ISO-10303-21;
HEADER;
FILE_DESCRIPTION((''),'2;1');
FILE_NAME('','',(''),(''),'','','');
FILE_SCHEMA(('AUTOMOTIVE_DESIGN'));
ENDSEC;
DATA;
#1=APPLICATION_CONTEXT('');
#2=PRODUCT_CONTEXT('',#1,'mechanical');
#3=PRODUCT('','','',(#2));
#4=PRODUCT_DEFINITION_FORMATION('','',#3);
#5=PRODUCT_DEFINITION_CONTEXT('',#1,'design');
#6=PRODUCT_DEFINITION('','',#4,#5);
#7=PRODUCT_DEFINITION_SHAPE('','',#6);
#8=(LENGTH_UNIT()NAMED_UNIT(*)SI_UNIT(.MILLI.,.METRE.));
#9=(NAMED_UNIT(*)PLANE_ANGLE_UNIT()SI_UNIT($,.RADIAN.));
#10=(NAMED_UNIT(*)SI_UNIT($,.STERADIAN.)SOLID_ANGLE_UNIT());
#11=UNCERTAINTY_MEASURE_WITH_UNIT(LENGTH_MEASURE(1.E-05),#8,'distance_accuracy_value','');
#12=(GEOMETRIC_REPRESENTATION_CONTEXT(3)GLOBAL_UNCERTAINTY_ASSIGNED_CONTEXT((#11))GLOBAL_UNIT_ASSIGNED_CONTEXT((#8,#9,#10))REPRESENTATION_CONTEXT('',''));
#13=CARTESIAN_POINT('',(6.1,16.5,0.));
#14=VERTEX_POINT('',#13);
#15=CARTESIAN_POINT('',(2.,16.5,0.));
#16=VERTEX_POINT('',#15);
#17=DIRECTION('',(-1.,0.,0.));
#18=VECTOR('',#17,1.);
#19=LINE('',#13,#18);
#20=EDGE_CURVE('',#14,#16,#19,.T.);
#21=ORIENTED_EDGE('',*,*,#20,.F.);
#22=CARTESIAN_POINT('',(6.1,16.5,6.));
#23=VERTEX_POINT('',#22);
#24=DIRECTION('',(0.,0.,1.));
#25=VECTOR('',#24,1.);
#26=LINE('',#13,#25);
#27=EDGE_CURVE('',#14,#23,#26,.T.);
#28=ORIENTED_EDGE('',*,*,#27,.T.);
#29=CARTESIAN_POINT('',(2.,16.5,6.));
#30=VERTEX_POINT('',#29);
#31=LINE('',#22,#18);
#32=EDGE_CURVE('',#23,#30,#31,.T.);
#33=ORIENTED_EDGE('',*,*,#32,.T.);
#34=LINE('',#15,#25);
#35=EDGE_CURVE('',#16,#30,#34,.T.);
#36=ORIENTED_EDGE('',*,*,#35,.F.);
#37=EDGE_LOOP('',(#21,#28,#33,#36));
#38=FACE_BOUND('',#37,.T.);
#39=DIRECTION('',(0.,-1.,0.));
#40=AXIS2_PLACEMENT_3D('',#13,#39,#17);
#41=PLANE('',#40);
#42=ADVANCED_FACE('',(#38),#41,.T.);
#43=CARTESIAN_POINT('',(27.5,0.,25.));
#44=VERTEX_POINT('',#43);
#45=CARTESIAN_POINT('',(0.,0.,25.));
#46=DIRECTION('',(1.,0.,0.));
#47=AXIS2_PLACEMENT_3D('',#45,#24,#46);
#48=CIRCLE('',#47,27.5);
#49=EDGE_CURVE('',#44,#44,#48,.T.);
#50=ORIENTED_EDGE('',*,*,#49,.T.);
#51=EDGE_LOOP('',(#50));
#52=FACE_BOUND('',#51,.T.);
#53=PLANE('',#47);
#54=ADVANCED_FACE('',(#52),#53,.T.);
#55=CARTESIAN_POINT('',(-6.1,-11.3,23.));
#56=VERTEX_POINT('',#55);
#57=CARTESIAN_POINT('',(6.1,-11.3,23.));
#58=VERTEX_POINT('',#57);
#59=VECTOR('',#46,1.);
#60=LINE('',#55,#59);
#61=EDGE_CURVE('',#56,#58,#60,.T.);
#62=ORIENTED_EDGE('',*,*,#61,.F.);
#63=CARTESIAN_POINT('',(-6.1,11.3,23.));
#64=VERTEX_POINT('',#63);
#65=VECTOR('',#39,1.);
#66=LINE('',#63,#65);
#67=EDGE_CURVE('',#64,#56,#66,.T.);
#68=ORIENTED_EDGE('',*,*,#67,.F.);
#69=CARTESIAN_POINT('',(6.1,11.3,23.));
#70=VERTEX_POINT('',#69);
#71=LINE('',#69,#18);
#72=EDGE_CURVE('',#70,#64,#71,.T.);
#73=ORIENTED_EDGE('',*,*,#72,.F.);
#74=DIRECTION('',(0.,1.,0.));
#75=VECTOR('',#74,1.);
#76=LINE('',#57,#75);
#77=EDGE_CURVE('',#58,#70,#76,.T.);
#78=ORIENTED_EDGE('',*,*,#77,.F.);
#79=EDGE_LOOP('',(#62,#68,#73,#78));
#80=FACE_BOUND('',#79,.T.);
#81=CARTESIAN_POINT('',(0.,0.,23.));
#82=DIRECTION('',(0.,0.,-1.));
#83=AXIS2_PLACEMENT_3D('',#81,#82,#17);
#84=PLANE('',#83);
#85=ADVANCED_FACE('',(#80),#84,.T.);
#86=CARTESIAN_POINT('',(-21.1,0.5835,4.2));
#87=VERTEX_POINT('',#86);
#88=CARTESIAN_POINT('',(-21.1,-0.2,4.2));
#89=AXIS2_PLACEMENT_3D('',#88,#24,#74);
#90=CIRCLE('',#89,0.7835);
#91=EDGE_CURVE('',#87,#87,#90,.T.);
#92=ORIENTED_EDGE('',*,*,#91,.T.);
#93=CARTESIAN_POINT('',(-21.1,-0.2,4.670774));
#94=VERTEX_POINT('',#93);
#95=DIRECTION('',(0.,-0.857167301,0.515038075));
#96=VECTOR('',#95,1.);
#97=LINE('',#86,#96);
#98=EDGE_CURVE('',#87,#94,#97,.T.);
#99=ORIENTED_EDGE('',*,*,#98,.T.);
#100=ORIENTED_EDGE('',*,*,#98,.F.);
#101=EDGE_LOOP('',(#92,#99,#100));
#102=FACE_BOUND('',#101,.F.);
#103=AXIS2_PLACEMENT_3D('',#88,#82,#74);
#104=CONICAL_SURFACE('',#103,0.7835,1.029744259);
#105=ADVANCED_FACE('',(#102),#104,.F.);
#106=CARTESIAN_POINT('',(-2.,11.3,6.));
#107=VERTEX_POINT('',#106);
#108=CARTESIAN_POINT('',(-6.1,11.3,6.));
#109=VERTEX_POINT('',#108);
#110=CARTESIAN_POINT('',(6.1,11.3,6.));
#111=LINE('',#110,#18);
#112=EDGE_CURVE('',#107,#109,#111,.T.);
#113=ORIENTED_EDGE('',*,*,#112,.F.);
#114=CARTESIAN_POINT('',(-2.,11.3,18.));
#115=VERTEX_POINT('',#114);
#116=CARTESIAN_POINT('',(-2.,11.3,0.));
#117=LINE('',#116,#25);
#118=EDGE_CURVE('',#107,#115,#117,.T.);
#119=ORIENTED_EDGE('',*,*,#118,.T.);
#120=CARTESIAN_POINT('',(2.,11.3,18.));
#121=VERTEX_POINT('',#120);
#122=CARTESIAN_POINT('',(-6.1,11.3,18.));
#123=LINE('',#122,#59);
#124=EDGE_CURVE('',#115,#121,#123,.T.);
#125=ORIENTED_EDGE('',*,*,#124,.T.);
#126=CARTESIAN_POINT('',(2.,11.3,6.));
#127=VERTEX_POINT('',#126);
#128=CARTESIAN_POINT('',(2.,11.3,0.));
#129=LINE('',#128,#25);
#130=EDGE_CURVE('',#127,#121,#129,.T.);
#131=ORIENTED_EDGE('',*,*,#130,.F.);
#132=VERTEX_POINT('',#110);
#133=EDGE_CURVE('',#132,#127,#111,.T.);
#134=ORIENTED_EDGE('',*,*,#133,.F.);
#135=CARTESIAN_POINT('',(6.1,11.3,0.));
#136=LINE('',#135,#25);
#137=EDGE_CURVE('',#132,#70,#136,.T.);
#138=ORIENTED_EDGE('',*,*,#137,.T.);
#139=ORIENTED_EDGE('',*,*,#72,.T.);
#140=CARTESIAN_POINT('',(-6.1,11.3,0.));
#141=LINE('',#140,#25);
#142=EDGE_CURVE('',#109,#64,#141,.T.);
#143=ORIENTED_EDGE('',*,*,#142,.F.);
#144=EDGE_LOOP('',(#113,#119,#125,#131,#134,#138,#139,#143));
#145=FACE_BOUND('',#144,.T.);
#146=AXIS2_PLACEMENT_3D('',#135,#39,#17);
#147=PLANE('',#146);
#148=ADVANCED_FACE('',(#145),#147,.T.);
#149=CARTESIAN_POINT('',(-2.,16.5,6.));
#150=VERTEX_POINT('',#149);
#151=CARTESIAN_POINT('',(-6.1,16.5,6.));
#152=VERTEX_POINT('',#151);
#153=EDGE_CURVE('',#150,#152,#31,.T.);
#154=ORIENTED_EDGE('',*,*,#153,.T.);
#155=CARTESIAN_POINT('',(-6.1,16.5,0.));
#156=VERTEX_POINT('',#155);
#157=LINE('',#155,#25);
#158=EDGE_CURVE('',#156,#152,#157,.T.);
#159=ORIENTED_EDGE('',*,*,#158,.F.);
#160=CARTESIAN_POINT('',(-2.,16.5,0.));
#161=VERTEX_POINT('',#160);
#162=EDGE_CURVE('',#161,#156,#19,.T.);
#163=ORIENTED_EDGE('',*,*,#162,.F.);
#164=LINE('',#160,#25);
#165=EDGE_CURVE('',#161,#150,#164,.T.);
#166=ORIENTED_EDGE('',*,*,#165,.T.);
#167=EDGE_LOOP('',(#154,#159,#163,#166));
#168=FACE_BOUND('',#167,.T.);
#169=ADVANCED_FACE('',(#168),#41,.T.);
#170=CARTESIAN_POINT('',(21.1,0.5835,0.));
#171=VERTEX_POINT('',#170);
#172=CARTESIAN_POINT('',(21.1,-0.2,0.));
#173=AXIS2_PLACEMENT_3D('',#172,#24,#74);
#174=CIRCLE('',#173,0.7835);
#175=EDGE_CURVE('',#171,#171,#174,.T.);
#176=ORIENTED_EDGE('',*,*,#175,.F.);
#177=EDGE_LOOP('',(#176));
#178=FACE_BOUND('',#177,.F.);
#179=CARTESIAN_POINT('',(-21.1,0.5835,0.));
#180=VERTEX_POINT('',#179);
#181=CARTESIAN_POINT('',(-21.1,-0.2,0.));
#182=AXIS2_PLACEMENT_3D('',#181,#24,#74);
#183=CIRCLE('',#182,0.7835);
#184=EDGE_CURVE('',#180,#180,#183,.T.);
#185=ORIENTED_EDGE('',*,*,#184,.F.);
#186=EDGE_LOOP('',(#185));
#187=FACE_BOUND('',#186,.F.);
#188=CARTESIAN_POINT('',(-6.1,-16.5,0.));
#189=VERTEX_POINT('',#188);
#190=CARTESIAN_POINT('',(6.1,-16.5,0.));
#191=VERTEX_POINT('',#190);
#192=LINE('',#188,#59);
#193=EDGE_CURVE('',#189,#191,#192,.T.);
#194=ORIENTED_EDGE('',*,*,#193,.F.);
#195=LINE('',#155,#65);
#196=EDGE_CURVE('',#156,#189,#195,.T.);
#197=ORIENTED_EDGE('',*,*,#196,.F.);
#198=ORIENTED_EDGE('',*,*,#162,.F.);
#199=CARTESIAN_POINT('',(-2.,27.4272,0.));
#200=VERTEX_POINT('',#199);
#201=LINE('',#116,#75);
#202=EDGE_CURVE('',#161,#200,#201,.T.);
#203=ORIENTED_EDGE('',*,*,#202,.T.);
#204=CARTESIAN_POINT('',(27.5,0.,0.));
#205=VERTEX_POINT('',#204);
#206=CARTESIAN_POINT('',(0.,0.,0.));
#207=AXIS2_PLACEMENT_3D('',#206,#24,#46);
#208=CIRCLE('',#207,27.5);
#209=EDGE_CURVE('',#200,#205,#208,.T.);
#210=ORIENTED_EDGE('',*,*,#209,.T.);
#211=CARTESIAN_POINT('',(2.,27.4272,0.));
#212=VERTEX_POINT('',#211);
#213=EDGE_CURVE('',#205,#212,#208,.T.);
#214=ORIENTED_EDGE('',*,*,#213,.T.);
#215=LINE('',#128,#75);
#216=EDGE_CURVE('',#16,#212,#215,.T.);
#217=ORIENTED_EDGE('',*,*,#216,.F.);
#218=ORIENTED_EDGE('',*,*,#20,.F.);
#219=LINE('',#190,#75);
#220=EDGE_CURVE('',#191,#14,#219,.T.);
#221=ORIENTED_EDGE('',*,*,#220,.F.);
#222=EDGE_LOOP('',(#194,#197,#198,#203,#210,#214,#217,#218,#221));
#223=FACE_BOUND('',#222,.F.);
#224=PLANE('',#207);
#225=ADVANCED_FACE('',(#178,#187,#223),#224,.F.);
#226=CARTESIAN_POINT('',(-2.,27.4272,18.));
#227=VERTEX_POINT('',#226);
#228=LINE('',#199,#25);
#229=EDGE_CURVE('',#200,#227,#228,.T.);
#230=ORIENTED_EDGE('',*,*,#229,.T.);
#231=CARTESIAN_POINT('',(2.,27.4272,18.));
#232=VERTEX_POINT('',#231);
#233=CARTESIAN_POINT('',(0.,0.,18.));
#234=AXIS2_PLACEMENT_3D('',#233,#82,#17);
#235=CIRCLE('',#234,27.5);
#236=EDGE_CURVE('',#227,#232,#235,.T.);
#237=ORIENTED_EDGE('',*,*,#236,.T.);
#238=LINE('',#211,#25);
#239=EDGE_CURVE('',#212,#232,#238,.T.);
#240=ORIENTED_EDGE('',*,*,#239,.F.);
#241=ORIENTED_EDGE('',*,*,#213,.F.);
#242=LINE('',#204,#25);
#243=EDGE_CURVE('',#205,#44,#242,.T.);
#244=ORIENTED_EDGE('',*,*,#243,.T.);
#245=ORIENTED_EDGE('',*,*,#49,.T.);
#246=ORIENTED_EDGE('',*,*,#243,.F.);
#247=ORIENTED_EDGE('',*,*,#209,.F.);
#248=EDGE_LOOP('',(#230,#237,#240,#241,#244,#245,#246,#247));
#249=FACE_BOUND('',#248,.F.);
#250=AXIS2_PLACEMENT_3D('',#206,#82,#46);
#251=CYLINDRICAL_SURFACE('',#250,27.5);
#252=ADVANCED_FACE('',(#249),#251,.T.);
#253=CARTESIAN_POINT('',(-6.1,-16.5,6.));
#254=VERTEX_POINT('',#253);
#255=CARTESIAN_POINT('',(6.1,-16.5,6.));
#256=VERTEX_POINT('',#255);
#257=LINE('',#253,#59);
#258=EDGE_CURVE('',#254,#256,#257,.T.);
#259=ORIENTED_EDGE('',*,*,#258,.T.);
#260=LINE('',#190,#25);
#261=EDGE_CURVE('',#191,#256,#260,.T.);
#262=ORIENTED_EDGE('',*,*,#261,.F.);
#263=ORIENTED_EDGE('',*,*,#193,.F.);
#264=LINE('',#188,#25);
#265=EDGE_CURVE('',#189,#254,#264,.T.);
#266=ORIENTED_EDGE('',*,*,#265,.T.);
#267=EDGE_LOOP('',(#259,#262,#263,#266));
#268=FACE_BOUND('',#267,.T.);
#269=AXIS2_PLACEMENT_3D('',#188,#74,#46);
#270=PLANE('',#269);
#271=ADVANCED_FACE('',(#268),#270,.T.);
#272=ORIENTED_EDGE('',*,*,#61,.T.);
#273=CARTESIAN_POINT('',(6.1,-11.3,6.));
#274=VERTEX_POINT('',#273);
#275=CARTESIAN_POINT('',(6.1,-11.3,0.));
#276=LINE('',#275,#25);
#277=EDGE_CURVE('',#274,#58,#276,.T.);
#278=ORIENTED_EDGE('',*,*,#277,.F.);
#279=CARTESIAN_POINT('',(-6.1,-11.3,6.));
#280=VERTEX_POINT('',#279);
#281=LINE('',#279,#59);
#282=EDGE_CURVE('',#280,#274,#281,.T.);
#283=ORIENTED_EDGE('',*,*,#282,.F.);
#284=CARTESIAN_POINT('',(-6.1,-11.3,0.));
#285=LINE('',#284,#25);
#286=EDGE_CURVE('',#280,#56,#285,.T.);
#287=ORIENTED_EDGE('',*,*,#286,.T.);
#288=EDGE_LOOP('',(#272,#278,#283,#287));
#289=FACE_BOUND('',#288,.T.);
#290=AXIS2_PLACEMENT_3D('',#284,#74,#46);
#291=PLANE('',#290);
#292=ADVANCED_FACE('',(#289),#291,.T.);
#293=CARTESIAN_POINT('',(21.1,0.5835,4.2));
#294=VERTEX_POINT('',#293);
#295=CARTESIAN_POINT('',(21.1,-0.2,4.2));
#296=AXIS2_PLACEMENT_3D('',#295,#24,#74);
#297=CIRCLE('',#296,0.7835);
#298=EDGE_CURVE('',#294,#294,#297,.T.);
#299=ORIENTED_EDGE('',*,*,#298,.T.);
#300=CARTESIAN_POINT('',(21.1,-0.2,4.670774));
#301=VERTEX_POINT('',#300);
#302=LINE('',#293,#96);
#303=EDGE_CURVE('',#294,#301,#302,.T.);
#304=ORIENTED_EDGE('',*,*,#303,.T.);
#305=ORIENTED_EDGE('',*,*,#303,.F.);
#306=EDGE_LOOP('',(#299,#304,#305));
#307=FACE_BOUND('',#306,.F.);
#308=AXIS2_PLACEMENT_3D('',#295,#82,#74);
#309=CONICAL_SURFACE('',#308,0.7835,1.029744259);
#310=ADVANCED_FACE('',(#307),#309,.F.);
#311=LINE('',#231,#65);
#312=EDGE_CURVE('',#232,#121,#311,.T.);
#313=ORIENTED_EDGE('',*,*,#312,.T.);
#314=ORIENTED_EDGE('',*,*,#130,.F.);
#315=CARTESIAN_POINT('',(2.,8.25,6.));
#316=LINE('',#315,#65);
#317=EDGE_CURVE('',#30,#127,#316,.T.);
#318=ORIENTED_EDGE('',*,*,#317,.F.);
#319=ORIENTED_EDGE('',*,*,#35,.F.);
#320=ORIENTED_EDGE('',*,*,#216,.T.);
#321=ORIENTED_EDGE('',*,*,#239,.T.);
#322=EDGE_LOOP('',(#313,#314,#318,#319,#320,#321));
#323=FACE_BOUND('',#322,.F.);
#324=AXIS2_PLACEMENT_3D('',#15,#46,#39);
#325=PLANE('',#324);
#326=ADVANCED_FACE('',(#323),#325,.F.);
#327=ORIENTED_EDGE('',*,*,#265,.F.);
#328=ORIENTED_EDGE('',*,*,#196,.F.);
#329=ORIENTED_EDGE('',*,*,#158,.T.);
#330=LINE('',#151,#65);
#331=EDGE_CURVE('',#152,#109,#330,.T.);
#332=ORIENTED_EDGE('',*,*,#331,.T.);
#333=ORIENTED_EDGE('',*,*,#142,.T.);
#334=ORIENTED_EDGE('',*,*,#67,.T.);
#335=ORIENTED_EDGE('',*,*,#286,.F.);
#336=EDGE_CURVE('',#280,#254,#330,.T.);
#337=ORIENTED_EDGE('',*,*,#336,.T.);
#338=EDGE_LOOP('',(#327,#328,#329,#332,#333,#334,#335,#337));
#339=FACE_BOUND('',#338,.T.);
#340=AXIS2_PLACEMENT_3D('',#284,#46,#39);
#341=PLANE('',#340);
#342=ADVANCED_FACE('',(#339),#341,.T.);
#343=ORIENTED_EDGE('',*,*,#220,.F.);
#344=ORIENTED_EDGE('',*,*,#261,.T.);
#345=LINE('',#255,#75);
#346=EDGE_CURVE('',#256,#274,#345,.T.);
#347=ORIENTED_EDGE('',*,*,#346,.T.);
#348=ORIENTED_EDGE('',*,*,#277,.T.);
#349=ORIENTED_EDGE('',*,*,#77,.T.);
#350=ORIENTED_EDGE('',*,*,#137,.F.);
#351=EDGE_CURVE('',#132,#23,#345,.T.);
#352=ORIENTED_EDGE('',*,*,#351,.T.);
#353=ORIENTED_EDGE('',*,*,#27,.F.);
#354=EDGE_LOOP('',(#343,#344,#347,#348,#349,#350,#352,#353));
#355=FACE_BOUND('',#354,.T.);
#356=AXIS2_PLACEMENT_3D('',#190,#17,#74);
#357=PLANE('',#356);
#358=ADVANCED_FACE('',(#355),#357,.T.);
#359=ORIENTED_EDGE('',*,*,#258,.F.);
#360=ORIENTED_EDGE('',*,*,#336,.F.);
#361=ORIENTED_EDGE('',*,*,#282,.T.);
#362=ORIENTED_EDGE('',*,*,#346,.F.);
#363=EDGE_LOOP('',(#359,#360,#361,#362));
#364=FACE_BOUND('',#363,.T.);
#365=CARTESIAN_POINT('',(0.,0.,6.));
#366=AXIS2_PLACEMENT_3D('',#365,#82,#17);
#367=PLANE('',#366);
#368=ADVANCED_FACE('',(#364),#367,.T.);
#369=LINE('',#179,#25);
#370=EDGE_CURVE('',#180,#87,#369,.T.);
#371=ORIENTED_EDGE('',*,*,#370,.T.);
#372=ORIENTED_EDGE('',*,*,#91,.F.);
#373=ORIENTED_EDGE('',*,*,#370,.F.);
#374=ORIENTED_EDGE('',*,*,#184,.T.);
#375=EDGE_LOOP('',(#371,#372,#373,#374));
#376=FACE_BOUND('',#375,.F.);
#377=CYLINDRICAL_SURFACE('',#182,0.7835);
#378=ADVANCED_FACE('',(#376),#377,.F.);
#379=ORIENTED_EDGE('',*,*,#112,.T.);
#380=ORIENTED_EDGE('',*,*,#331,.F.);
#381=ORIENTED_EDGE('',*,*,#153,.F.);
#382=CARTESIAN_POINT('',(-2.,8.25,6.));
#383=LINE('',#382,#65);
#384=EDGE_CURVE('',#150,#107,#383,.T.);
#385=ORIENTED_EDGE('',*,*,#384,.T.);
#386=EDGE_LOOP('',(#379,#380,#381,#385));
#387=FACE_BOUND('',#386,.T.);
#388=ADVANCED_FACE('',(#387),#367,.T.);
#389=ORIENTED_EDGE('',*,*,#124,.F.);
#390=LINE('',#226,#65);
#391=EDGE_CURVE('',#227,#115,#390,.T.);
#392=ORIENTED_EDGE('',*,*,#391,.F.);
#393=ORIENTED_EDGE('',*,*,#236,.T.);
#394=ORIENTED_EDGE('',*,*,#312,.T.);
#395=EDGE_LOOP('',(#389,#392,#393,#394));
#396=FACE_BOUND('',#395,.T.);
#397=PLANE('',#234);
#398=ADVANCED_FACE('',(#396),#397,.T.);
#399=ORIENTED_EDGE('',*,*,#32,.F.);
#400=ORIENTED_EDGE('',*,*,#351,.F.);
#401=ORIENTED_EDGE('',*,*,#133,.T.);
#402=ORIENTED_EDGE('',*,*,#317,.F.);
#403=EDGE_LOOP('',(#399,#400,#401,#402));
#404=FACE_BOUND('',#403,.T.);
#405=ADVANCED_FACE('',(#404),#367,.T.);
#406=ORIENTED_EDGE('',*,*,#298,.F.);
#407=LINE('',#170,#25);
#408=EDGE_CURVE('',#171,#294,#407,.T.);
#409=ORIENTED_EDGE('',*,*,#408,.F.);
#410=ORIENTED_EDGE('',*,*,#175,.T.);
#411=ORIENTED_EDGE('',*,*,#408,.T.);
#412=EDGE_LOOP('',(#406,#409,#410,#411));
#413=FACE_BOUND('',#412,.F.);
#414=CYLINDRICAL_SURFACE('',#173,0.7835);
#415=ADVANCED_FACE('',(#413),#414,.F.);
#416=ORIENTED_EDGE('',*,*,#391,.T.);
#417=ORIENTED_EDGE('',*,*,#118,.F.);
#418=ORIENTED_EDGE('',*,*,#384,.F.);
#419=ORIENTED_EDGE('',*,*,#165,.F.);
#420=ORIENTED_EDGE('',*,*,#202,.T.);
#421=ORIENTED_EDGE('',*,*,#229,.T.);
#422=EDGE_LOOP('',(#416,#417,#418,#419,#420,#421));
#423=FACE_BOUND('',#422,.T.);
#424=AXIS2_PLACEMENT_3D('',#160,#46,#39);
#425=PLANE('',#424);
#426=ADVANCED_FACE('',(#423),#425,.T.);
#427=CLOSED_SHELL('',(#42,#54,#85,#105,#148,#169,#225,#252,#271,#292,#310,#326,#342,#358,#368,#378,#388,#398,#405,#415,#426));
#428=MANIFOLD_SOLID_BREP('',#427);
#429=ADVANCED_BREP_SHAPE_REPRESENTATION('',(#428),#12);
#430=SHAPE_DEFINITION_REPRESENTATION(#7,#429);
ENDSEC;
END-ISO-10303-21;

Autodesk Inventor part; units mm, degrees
ref_plane "YZ Plane" through (0, 0, 0) normal (1, 0, 0) x (0, 1, 0)
ref_plane "XZ Plane" through (0, 0, 0) normal (0, 1, 0) x (-1, 0, 0)
ref_plane "XY Plane" through (0, 0, 0) normal (0, 0, 1) x (1, 0, 0)
sketch "Sketch1" plane through (0, 0, 0) normal (0, 0, 1) x (1, 0, 0)
  circle A0 centre (0, 0) radius 27.5
  dimension "d0" = 55
extrude "Extrusion1" add sketch "Sketch1" along normal blind 25
sketch "Sketch2" plane through (0, 0, 0) normal (0, 0, -1) x (-1, 0, 0)
  line L0 (6.1, -11.3) -> (-6.1, -11.3)
  line L1 (-6.1, -11.3) -> (-6.1, 11.3)
  line L2 (-6.1, 11.3) -> (6.1, 11.3)
  line L3 (6.1, 11.3) -> (6.1, -11.3)
  circle A0 centre (0, 0) radius 27.5 projected
  dimension "d4" = 12.2
  dimension "d5" = 55
  dimension "d6" = 22.6
  dimension "d7" = 6.1
  dimension "d8" = 11.3
extrude "Extrusion2" cut sketch "Sketch2" against normal blind 23 contours L0 L1 L2 L3
sketch "Sketch3" plane through (0, 0, 0) normal (0, 0, -1) x (-1, 0, 0)
  line L0 (-6.1, 11.3) -> (6.1, 11.3) projected
  line L1 (6.1, -11.3) -> (-6.1, -11.3) projected
  line L2 (6.1, 11.3) -> (6.1, -11.3) projected
  line L3 (-6.1, -11.3) -> (-6.1, 11.3) projected
  line L4 (6.1, -16.5) -> (-6.1, -16.5)
  line L5 (-6.1, -16.5) -> (-6.1, 16.5)
  line L6 (-6.1, 16.5) -> (6.1, 16.5)
  line L7 (6.1, 16.5) -> (6.1, -16.5)
  point P0 (0, 0)
  dimension "d11" = 22.6
  dimension "d12" = 12.2
  dimension "d13" = 5.2
  dimension "d14" = 5.2
extrude "Extrusion3" cut sketch "Sketch3" against normal blind 6 contours L5 L6 L7 L0 | L1 L7 L4 L5
sketch "Sketch4" plane through (0, 0, 0) normal (0, 0, -1) x (-1, 0, 0)
  line L0 (-6.1, -16.5) -> (-6.1, 16.5) projected
  line L1 (6.1, 16.5) -> (6.1, -16.5) projected
  line L2 (-6.1, 16.5) -> (6.1, 16.5) projected
  line L3 (6.1, -16.5) -> (-6.1, -16.5) projected
  line L4 (6.1, 11.3) -> (-6.1, 11.3) projected
  line L5 (-6.1, -11.3) -> (6.1, -11.3) projected
  line L6 (-6.1, 16.5) -> (6.1, 16.5) projected
  line L7 (2, 16.5) -> (2, 27.4272)
  circle A0 centre (0, 0) radius 27.5 projected
  line L8 (-2, 16.5) -> (-2, 27.4272)
  arc A1 (2, 27.4272) -> (-2, 27.4272) centre (0, 0) ccw
  line L9 (2, 16.5) -> (2, 11.3)
  line L10 (-2, 16.5) -> (-2, 11.3)
  dimension "d17" = 12.2
  dimension "d18" = 33
  dimension "d19" = 22.6
  dimension "d20" = 4
  dimension "d21" = 4.1
extrude "Extrusion4" cut sketch "Sketch4" against normal blind 18 contours L10 L2 L9 L4 | L8 A0 L7 L2
hole "Hole2" at (21.1, -0.2, 0) direction (0, 0, 1) diameter 1.567 depth 4.2 tip angle 118 thread size "M2x0.4" class "6H" standard "ANSI Metric M Profile"
hole "Hole3" at (-21.1, -0.2, 0) direction (0, 0, 1) diameter 1.567 depth 4.2 tip angle 118 thread size "M2x0.4" class "6H" standard "ANSI Metric M Profile"
properties part number "speaker_base"
